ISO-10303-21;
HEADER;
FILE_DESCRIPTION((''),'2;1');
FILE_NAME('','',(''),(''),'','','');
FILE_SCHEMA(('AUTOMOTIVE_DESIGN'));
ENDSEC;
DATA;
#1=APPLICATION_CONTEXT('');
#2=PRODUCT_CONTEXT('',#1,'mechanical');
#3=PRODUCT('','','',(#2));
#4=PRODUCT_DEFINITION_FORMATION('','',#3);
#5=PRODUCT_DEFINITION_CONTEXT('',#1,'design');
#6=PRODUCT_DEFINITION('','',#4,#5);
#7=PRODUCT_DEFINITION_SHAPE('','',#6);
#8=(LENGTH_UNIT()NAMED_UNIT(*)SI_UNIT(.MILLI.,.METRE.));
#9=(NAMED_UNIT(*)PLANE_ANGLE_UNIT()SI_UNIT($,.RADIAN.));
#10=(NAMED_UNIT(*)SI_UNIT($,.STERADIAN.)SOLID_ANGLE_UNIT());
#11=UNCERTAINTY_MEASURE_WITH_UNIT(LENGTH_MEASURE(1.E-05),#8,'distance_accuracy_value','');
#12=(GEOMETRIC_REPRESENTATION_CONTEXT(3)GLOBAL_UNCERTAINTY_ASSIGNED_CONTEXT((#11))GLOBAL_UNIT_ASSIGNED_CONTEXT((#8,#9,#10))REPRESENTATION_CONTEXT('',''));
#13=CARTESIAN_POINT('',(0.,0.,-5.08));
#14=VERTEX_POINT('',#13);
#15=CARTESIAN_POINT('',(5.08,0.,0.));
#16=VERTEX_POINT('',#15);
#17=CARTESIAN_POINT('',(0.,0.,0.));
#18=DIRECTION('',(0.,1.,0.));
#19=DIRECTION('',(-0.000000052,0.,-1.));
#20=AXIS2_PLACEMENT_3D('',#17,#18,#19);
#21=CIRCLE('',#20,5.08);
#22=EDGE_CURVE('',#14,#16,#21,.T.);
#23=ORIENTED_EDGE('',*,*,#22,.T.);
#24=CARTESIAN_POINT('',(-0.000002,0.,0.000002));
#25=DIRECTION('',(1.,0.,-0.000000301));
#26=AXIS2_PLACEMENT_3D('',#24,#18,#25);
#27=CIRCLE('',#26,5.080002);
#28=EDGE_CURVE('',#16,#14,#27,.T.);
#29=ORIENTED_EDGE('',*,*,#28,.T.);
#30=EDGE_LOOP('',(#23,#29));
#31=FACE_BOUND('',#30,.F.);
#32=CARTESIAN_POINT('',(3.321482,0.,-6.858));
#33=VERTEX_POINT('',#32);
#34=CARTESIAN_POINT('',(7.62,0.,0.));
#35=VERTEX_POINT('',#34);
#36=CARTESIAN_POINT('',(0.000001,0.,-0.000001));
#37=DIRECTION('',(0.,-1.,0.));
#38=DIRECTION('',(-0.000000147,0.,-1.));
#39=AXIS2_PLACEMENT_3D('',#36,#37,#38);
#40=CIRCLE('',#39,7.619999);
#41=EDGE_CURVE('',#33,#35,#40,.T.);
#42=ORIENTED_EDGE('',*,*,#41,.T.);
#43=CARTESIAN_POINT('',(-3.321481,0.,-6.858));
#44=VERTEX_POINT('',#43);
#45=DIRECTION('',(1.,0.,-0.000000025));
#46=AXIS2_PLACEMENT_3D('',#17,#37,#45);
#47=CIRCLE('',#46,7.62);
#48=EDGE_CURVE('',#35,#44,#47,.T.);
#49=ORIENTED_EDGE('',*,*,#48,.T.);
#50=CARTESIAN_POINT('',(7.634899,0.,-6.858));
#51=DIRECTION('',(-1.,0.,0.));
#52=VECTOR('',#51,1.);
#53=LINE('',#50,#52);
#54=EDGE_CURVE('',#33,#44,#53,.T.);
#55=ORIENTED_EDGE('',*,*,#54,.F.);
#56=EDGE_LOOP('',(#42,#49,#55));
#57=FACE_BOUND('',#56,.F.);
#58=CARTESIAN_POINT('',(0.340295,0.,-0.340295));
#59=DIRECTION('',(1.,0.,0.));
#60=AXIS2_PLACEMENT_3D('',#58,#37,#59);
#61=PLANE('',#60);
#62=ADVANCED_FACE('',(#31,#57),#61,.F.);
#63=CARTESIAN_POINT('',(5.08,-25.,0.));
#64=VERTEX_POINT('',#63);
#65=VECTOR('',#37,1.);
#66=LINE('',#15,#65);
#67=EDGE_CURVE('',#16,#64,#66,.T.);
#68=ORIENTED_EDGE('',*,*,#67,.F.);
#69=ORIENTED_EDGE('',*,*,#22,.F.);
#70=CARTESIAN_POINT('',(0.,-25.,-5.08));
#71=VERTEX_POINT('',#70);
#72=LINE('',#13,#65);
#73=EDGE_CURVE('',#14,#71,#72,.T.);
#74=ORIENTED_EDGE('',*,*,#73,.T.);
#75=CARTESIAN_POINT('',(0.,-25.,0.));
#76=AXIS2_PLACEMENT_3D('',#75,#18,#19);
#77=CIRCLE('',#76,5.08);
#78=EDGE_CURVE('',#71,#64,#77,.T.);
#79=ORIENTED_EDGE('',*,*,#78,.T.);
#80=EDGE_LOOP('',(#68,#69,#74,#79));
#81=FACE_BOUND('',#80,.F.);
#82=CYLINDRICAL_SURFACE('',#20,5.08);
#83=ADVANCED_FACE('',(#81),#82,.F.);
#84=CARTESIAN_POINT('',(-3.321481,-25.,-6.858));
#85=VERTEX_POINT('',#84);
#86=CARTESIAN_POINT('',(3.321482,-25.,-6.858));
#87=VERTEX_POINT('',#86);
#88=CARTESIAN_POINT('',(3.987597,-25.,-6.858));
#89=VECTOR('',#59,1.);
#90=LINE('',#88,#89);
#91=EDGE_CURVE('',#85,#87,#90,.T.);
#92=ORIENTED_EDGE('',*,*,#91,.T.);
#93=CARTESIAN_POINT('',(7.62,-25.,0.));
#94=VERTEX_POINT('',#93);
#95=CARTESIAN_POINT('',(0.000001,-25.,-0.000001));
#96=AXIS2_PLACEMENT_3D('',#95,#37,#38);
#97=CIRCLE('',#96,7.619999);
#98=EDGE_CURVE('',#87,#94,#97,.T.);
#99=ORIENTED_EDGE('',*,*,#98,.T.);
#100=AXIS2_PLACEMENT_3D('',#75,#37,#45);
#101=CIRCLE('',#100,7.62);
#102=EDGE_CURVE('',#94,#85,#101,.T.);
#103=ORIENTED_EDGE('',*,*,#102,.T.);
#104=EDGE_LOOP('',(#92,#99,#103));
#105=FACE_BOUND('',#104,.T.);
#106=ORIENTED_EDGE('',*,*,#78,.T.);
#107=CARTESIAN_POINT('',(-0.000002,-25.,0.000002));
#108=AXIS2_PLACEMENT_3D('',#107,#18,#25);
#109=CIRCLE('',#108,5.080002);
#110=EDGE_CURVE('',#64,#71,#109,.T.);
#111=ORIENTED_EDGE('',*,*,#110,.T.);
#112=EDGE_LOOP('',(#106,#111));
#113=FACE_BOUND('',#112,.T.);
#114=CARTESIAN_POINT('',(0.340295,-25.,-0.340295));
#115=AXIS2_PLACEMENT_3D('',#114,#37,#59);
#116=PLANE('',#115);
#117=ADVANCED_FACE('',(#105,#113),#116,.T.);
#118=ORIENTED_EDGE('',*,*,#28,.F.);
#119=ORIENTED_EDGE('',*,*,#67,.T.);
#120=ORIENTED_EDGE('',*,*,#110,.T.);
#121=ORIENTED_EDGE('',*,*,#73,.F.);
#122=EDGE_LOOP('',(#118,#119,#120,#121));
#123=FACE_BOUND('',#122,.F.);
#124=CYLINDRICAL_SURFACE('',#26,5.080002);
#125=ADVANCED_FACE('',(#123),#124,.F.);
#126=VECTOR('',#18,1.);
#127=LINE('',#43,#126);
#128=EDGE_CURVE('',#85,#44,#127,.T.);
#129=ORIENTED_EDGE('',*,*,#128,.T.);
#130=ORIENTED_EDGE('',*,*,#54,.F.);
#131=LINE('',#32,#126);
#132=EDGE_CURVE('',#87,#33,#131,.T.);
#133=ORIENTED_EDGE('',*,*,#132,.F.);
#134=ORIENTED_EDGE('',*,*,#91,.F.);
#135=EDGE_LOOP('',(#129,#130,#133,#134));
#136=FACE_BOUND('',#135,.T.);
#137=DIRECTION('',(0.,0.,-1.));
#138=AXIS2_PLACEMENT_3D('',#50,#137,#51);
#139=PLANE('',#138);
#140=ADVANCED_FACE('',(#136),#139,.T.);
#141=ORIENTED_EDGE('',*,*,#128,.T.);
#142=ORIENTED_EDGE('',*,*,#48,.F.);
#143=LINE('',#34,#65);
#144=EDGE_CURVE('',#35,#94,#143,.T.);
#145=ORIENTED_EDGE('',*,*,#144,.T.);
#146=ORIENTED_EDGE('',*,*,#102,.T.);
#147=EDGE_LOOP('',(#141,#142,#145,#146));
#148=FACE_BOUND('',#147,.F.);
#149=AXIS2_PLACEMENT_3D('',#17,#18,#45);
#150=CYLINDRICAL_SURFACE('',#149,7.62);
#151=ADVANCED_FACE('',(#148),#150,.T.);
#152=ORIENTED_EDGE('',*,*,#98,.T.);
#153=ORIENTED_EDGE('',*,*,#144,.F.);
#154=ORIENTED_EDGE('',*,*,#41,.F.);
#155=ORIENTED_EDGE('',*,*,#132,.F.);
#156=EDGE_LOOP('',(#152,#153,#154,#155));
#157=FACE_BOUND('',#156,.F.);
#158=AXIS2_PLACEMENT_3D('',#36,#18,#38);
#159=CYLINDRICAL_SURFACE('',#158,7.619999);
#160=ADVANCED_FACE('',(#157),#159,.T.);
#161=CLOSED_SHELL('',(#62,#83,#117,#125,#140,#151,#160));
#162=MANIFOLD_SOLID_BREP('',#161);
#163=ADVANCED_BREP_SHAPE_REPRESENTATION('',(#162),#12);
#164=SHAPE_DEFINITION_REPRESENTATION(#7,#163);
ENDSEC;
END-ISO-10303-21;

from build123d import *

# Parameters (mm, degrees)
F1_DEPTH = 25
F2_W     = 7.634899
F2_H     = 3.302
F2_W_2   = 7.225763
F3_DEPTH = 181.102


with BuildPart() as f1:
    # F0 (on Front) → F1 (new body)
    with BuildSketch(Plane.XZ):
        with BuildLine():
            ThreePointArc((7.62, 0), (-5.388154, 5.388154), (0, -7.62))
            ThreePointArc((0, -7.62), (5.388154, -5.388154), (7.62, 0))
        make_face()
        with BuildLine():
            ThreePointArc((0, -5.08), (-3.592102, 3.592102), (5.08, 0))
            ThreePointArc((5.08, 0), (3.592102, -3.592102), (0, -5.08))
        make_face(mode=Mode.SUBTRACT)
    extrude(amount=F1_DEPTH)

    # F2 (on Front) → F3 (cut)
    with BuildSketch(Plane.XZ):
        with Locations((3.817449, -8.509)):
            Rectangle(F2_W, F2_H)
        with Locations((-3.612881, -8.509)):
            Rectangle(F2_W_2, F2_H)
    extrude(amount=F3_DEPTH, mode=Mode.SUBTRACT)


solid = f1.part
